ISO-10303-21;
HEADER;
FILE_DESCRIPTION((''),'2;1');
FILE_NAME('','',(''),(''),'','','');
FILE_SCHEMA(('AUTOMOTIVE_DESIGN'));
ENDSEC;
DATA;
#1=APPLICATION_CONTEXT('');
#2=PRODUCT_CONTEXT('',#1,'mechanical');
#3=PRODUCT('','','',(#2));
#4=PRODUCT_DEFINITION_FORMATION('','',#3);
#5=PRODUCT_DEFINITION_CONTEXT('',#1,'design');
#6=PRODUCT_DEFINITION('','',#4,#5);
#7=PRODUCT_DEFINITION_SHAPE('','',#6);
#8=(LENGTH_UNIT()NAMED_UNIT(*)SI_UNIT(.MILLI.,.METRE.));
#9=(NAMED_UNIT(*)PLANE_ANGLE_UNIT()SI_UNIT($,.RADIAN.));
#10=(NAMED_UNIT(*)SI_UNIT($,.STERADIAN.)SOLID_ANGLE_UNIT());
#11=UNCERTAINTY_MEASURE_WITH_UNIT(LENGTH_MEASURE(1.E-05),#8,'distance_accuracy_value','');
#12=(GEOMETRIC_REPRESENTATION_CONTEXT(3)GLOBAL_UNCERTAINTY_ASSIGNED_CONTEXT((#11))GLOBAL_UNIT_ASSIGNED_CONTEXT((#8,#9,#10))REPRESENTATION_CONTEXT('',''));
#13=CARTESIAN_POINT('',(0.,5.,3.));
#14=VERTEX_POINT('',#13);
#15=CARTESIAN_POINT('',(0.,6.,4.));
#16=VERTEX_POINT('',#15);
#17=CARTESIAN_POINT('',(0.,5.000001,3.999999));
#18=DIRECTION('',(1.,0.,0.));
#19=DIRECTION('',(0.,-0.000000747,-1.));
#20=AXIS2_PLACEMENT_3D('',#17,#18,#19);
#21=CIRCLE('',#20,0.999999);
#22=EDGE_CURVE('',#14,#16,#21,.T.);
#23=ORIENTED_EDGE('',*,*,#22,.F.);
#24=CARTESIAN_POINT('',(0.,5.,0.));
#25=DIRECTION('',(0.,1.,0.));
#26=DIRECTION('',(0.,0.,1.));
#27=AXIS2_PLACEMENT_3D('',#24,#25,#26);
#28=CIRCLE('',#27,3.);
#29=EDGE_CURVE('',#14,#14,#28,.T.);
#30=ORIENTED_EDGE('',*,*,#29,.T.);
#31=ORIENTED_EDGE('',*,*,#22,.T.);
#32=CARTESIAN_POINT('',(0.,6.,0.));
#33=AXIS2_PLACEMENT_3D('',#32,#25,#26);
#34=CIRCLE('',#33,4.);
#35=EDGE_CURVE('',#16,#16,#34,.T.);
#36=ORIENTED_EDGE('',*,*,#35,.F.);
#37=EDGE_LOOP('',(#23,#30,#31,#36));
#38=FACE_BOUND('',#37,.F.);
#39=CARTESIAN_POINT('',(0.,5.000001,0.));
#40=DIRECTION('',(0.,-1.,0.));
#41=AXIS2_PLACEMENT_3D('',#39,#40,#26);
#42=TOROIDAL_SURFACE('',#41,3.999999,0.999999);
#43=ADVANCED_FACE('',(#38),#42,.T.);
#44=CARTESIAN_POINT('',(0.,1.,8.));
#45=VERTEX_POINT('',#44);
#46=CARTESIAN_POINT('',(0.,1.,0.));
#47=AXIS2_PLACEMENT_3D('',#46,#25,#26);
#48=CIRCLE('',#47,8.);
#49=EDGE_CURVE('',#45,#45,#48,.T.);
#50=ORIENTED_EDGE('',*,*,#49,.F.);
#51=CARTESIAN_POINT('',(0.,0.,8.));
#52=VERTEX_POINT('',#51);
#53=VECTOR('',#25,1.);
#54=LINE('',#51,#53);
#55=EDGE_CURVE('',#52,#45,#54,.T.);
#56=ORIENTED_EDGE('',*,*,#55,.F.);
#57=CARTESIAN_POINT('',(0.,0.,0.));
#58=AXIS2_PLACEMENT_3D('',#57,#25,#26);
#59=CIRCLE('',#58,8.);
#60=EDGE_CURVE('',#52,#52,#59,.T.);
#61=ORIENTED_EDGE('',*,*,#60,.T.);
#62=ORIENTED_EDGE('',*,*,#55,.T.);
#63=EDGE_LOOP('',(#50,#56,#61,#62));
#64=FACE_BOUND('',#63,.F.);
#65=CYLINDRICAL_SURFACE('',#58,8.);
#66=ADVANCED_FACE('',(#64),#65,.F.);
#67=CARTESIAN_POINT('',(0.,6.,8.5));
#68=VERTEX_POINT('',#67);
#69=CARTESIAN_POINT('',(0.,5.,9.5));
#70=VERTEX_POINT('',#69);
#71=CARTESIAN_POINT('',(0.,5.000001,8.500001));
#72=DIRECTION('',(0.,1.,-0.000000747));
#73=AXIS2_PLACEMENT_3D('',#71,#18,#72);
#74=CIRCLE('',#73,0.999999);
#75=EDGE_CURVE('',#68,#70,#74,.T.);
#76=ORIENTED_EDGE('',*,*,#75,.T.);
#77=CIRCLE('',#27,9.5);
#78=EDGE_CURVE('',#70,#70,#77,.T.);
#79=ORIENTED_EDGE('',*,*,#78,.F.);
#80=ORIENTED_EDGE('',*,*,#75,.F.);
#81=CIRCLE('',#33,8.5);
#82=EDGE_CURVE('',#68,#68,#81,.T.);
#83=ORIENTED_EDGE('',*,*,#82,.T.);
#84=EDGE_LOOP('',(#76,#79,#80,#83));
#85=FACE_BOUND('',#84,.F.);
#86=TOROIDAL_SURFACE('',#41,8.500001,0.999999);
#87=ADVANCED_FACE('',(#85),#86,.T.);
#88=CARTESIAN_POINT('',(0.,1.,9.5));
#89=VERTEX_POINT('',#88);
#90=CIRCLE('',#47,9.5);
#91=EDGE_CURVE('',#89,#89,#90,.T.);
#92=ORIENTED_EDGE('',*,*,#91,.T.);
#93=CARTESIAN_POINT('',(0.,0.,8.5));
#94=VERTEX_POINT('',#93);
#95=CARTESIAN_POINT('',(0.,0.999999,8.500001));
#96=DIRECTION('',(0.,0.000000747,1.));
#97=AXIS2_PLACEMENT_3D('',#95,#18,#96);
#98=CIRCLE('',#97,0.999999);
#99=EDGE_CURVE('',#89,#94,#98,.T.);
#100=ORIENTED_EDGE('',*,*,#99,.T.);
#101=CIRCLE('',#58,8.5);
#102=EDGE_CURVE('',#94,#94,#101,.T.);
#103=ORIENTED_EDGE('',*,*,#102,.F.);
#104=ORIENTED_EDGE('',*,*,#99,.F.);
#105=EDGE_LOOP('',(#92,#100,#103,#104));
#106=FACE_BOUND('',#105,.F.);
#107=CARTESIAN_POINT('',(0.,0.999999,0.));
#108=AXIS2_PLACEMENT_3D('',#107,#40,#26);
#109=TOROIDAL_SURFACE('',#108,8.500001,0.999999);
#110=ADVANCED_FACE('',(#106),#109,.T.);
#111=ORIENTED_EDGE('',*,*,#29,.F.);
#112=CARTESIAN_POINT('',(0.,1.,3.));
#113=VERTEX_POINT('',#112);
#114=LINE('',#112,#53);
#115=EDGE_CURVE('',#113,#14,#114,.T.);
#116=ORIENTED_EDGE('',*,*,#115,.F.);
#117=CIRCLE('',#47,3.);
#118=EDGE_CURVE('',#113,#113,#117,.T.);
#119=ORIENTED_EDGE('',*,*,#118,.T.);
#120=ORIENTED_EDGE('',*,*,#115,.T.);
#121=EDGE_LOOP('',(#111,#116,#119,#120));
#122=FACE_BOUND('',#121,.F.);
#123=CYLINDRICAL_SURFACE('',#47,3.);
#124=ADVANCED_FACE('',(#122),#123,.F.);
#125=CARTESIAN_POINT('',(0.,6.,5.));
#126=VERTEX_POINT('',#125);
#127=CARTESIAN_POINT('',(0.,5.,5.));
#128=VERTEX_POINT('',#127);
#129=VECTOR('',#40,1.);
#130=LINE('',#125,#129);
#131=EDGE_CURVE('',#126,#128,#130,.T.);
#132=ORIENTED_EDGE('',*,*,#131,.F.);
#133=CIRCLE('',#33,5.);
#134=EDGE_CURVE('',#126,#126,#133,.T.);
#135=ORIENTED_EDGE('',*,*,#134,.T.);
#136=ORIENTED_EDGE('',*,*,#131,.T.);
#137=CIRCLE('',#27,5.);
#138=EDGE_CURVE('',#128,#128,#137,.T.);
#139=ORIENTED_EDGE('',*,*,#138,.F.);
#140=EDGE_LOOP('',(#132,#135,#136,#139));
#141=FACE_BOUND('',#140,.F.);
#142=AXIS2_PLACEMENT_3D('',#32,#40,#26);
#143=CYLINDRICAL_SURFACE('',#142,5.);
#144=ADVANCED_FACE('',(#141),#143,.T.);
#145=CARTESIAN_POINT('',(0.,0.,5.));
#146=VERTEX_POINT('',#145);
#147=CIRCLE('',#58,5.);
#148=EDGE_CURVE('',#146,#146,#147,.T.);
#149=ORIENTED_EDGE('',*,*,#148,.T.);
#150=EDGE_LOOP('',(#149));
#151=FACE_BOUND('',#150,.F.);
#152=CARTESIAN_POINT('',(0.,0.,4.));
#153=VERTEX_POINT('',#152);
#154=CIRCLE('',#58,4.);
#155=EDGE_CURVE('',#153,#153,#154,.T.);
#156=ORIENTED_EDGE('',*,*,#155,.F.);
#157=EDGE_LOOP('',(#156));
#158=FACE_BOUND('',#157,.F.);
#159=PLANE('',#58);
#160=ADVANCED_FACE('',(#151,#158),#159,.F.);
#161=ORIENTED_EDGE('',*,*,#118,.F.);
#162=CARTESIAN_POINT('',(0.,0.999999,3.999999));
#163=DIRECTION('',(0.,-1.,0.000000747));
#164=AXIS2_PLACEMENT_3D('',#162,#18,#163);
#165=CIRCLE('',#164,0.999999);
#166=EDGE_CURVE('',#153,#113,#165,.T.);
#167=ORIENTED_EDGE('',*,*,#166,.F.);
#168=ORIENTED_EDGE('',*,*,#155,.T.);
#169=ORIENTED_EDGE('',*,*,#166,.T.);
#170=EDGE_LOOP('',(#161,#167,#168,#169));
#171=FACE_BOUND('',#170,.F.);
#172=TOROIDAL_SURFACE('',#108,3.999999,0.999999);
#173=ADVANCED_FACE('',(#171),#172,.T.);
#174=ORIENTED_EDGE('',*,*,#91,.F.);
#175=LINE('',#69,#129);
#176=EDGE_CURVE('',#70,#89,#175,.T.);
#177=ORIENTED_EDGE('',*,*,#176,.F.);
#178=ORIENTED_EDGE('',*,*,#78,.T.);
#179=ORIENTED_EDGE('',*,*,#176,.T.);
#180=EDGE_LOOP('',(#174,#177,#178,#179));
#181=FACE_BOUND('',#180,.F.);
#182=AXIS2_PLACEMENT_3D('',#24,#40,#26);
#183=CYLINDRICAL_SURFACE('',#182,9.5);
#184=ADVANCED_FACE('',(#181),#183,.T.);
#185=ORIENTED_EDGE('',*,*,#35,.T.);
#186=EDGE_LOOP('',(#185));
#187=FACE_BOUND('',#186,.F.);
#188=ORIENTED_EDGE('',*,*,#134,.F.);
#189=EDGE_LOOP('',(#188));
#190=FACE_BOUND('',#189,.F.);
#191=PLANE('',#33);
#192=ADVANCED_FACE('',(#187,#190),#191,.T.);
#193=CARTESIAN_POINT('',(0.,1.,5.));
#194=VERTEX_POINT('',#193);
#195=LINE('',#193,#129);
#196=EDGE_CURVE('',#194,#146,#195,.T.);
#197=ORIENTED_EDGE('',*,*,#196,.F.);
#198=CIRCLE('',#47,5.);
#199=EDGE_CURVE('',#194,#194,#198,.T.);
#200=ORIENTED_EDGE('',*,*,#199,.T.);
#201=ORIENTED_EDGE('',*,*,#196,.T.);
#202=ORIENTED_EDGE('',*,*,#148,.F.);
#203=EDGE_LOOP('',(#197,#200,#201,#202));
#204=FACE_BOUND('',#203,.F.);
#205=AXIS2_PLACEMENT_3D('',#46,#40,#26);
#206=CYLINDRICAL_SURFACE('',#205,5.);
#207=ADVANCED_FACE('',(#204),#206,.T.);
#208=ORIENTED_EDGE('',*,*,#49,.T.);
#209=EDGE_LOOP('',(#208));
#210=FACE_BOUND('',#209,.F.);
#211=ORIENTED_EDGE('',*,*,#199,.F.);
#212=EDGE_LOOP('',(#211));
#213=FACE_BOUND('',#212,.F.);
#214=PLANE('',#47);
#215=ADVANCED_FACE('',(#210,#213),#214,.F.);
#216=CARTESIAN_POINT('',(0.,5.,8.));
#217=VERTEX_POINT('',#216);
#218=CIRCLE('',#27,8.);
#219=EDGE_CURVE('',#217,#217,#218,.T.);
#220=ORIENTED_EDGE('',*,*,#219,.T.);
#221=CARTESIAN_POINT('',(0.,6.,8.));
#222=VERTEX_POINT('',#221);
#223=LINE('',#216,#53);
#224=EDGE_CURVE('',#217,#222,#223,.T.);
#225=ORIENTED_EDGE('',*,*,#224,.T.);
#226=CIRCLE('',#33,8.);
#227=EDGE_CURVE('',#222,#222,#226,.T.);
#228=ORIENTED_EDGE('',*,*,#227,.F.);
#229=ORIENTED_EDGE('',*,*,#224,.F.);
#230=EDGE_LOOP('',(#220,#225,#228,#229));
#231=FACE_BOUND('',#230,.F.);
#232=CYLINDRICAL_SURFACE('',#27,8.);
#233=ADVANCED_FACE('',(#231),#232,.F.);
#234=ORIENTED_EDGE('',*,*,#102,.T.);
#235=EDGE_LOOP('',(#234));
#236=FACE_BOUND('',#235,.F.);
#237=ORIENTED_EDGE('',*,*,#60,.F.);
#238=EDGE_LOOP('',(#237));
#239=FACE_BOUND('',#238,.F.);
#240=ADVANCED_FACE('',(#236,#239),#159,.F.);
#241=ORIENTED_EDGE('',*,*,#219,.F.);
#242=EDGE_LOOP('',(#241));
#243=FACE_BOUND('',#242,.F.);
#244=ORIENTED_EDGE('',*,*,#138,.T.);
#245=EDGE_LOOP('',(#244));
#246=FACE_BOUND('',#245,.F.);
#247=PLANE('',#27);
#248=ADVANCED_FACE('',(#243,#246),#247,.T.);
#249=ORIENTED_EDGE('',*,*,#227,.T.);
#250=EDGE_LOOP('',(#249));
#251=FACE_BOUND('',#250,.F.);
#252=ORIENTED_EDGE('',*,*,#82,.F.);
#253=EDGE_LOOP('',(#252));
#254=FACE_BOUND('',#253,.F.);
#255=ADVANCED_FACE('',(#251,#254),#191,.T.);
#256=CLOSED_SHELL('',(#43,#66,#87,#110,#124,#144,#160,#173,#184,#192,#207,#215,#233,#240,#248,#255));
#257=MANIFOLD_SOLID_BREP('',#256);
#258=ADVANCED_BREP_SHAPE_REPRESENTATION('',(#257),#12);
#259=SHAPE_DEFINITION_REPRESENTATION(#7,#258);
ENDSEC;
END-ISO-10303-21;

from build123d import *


with BuildPart() as f1:
    # F0 (on Right) → F1 (revolve)
    with BuildSketch(Plane.YZ):
        with BuildLine():
            Line((5, 9.5), (1, 9.5))
            ThreePointArc((1, 9.5), (0.292893, 9.207107), (0, 8.5))
            Line((0, 8.5), (0, 8))
            Line((0, 8), (1, 8))
            Line((1, 8), (1, 5))
            Line((1, 5), (0, 5))
            Line((0, 5), (0, 4))
            ThreePointArc((0, 4), (0.292893, 3.292893), (1, 3))
            Line((1, 3), (5, 3))
            ThreePointArc((5, 3), (5.707107, 3.292893), (6, 4))
            Line((6, 4), (6, 5))
            Line((6, 5), (5, 5))
            Line((5, 5), (5, 8))
            Line((5, 8), (6, 8))
            Line((6, 8), (6, 8.5))
            ThreePointArc((6, 8.5), (5.707107, 9.207107), (5, 9.5))
        make_face()
    revolve(axis=Axis((0, 5.126838, 0), (0, 1, 0)))


solid = f1.part
